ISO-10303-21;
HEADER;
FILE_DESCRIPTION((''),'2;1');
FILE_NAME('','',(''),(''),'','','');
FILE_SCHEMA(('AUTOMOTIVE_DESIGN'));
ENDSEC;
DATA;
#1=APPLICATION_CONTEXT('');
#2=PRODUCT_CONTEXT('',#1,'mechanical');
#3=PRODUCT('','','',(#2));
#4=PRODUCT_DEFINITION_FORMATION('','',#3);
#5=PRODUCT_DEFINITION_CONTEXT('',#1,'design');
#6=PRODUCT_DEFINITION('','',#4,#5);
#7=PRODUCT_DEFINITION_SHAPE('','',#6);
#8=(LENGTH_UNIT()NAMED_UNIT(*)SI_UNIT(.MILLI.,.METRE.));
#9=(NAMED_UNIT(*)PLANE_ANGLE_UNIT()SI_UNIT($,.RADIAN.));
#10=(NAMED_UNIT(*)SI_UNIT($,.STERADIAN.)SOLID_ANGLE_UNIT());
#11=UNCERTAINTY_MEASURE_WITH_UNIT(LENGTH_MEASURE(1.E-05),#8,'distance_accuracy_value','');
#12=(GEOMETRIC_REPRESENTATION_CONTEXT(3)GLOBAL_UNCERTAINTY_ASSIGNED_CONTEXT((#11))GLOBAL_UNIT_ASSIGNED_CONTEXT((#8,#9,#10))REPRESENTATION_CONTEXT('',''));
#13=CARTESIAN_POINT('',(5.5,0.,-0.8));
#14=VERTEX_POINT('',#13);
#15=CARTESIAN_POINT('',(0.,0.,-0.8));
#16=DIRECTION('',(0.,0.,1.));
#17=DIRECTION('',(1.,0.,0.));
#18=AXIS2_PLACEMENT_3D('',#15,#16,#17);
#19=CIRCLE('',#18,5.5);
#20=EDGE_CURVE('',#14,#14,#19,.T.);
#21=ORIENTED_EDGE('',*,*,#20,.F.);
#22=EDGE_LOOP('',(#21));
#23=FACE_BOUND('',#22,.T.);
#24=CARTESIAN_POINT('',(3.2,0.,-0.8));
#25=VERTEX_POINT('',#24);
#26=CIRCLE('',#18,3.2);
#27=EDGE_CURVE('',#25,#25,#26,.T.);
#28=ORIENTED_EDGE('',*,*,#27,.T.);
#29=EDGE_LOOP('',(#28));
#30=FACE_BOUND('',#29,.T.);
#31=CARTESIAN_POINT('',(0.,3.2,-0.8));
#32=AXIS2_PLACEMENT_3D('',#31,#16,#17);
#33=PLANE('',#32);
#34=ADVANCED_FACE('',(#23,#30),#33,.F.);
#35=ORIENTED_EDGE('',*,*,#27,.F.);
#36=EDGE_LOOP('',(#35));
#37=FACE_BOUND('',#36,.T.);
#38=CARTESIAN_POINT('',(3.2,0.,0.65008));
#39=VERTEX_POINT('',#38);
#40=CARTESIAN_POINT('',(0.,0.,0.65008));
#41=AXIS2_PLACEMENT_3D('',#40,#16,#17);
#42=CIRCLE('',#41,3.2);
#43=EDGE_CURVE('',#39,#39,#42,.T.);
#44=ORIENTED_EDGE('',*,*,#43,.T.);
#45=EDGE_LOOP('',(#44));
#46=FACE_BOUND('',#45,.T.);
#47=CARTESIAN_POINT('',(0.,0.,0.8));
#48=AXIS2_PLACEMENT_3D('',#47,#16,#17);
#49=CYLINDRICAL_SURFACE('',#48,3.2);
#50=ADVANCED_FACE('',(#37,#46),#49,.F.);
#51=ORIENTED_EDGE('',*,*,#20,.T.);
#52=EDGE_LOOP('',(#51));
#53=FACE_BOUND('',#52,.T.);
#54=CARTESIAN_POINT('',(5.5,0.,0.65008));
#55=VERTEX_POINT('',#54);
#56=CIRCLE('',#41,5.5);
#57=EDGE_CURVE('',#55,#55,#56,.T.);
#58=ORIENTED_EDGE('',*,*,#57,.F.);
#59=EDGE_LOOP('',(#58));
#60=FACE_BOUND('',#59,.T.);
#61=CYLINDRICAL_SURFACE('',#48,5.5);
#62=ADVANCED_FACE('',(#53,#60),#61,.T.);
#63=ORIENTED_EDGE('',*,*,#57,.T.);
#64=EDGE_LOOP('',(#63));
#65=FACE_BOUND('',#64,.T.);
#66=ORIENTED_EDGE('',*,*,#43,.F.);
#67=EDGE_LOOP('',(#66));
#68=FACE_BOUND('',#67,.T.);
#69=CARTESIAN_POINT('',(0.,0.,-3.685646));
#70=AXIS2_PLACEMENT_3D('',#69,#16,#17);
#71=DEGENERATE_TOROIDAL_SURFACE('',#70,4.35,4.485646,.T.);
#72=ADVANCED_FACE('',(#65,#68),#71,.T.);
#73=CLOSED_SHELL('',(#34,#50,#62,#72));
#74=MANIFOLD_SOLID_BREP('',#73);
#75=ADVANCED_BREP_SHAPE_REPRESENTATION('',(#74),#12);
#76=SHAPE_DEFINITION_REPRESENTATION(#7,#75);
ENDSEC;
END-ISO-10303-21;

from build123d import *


with BuildPart() as part:
    # Sketch3 → Revolve1 (revolve)
    with BuildSketch(Plane(origin=(0, 0, 0), x_dir=(0, 0, -1), z_dir=(1, 0, 0)), mode=Mode.PRIVATE) as revolve1_sk:
        with BuildLine():
            Line((0.8, 5.5), (-0.65008, 5.5))
            ThreePointArc((-0.65008, 5.5), (-0.8, 4.35), (-0.65008, 3.2))
            Line((-0.65008, 3.2), (0.8, 3.2))
            Line((0.8, 3.2), (0.8, 5.5))
        make_face()
    revolve(revolve1_sk.sketch.rotate(Axis((0, 0, 0.8), (0, 0, -1)), 90), axis=Axis((0, 0, 0.8), (0, 0, -1)))


solid = part.part
